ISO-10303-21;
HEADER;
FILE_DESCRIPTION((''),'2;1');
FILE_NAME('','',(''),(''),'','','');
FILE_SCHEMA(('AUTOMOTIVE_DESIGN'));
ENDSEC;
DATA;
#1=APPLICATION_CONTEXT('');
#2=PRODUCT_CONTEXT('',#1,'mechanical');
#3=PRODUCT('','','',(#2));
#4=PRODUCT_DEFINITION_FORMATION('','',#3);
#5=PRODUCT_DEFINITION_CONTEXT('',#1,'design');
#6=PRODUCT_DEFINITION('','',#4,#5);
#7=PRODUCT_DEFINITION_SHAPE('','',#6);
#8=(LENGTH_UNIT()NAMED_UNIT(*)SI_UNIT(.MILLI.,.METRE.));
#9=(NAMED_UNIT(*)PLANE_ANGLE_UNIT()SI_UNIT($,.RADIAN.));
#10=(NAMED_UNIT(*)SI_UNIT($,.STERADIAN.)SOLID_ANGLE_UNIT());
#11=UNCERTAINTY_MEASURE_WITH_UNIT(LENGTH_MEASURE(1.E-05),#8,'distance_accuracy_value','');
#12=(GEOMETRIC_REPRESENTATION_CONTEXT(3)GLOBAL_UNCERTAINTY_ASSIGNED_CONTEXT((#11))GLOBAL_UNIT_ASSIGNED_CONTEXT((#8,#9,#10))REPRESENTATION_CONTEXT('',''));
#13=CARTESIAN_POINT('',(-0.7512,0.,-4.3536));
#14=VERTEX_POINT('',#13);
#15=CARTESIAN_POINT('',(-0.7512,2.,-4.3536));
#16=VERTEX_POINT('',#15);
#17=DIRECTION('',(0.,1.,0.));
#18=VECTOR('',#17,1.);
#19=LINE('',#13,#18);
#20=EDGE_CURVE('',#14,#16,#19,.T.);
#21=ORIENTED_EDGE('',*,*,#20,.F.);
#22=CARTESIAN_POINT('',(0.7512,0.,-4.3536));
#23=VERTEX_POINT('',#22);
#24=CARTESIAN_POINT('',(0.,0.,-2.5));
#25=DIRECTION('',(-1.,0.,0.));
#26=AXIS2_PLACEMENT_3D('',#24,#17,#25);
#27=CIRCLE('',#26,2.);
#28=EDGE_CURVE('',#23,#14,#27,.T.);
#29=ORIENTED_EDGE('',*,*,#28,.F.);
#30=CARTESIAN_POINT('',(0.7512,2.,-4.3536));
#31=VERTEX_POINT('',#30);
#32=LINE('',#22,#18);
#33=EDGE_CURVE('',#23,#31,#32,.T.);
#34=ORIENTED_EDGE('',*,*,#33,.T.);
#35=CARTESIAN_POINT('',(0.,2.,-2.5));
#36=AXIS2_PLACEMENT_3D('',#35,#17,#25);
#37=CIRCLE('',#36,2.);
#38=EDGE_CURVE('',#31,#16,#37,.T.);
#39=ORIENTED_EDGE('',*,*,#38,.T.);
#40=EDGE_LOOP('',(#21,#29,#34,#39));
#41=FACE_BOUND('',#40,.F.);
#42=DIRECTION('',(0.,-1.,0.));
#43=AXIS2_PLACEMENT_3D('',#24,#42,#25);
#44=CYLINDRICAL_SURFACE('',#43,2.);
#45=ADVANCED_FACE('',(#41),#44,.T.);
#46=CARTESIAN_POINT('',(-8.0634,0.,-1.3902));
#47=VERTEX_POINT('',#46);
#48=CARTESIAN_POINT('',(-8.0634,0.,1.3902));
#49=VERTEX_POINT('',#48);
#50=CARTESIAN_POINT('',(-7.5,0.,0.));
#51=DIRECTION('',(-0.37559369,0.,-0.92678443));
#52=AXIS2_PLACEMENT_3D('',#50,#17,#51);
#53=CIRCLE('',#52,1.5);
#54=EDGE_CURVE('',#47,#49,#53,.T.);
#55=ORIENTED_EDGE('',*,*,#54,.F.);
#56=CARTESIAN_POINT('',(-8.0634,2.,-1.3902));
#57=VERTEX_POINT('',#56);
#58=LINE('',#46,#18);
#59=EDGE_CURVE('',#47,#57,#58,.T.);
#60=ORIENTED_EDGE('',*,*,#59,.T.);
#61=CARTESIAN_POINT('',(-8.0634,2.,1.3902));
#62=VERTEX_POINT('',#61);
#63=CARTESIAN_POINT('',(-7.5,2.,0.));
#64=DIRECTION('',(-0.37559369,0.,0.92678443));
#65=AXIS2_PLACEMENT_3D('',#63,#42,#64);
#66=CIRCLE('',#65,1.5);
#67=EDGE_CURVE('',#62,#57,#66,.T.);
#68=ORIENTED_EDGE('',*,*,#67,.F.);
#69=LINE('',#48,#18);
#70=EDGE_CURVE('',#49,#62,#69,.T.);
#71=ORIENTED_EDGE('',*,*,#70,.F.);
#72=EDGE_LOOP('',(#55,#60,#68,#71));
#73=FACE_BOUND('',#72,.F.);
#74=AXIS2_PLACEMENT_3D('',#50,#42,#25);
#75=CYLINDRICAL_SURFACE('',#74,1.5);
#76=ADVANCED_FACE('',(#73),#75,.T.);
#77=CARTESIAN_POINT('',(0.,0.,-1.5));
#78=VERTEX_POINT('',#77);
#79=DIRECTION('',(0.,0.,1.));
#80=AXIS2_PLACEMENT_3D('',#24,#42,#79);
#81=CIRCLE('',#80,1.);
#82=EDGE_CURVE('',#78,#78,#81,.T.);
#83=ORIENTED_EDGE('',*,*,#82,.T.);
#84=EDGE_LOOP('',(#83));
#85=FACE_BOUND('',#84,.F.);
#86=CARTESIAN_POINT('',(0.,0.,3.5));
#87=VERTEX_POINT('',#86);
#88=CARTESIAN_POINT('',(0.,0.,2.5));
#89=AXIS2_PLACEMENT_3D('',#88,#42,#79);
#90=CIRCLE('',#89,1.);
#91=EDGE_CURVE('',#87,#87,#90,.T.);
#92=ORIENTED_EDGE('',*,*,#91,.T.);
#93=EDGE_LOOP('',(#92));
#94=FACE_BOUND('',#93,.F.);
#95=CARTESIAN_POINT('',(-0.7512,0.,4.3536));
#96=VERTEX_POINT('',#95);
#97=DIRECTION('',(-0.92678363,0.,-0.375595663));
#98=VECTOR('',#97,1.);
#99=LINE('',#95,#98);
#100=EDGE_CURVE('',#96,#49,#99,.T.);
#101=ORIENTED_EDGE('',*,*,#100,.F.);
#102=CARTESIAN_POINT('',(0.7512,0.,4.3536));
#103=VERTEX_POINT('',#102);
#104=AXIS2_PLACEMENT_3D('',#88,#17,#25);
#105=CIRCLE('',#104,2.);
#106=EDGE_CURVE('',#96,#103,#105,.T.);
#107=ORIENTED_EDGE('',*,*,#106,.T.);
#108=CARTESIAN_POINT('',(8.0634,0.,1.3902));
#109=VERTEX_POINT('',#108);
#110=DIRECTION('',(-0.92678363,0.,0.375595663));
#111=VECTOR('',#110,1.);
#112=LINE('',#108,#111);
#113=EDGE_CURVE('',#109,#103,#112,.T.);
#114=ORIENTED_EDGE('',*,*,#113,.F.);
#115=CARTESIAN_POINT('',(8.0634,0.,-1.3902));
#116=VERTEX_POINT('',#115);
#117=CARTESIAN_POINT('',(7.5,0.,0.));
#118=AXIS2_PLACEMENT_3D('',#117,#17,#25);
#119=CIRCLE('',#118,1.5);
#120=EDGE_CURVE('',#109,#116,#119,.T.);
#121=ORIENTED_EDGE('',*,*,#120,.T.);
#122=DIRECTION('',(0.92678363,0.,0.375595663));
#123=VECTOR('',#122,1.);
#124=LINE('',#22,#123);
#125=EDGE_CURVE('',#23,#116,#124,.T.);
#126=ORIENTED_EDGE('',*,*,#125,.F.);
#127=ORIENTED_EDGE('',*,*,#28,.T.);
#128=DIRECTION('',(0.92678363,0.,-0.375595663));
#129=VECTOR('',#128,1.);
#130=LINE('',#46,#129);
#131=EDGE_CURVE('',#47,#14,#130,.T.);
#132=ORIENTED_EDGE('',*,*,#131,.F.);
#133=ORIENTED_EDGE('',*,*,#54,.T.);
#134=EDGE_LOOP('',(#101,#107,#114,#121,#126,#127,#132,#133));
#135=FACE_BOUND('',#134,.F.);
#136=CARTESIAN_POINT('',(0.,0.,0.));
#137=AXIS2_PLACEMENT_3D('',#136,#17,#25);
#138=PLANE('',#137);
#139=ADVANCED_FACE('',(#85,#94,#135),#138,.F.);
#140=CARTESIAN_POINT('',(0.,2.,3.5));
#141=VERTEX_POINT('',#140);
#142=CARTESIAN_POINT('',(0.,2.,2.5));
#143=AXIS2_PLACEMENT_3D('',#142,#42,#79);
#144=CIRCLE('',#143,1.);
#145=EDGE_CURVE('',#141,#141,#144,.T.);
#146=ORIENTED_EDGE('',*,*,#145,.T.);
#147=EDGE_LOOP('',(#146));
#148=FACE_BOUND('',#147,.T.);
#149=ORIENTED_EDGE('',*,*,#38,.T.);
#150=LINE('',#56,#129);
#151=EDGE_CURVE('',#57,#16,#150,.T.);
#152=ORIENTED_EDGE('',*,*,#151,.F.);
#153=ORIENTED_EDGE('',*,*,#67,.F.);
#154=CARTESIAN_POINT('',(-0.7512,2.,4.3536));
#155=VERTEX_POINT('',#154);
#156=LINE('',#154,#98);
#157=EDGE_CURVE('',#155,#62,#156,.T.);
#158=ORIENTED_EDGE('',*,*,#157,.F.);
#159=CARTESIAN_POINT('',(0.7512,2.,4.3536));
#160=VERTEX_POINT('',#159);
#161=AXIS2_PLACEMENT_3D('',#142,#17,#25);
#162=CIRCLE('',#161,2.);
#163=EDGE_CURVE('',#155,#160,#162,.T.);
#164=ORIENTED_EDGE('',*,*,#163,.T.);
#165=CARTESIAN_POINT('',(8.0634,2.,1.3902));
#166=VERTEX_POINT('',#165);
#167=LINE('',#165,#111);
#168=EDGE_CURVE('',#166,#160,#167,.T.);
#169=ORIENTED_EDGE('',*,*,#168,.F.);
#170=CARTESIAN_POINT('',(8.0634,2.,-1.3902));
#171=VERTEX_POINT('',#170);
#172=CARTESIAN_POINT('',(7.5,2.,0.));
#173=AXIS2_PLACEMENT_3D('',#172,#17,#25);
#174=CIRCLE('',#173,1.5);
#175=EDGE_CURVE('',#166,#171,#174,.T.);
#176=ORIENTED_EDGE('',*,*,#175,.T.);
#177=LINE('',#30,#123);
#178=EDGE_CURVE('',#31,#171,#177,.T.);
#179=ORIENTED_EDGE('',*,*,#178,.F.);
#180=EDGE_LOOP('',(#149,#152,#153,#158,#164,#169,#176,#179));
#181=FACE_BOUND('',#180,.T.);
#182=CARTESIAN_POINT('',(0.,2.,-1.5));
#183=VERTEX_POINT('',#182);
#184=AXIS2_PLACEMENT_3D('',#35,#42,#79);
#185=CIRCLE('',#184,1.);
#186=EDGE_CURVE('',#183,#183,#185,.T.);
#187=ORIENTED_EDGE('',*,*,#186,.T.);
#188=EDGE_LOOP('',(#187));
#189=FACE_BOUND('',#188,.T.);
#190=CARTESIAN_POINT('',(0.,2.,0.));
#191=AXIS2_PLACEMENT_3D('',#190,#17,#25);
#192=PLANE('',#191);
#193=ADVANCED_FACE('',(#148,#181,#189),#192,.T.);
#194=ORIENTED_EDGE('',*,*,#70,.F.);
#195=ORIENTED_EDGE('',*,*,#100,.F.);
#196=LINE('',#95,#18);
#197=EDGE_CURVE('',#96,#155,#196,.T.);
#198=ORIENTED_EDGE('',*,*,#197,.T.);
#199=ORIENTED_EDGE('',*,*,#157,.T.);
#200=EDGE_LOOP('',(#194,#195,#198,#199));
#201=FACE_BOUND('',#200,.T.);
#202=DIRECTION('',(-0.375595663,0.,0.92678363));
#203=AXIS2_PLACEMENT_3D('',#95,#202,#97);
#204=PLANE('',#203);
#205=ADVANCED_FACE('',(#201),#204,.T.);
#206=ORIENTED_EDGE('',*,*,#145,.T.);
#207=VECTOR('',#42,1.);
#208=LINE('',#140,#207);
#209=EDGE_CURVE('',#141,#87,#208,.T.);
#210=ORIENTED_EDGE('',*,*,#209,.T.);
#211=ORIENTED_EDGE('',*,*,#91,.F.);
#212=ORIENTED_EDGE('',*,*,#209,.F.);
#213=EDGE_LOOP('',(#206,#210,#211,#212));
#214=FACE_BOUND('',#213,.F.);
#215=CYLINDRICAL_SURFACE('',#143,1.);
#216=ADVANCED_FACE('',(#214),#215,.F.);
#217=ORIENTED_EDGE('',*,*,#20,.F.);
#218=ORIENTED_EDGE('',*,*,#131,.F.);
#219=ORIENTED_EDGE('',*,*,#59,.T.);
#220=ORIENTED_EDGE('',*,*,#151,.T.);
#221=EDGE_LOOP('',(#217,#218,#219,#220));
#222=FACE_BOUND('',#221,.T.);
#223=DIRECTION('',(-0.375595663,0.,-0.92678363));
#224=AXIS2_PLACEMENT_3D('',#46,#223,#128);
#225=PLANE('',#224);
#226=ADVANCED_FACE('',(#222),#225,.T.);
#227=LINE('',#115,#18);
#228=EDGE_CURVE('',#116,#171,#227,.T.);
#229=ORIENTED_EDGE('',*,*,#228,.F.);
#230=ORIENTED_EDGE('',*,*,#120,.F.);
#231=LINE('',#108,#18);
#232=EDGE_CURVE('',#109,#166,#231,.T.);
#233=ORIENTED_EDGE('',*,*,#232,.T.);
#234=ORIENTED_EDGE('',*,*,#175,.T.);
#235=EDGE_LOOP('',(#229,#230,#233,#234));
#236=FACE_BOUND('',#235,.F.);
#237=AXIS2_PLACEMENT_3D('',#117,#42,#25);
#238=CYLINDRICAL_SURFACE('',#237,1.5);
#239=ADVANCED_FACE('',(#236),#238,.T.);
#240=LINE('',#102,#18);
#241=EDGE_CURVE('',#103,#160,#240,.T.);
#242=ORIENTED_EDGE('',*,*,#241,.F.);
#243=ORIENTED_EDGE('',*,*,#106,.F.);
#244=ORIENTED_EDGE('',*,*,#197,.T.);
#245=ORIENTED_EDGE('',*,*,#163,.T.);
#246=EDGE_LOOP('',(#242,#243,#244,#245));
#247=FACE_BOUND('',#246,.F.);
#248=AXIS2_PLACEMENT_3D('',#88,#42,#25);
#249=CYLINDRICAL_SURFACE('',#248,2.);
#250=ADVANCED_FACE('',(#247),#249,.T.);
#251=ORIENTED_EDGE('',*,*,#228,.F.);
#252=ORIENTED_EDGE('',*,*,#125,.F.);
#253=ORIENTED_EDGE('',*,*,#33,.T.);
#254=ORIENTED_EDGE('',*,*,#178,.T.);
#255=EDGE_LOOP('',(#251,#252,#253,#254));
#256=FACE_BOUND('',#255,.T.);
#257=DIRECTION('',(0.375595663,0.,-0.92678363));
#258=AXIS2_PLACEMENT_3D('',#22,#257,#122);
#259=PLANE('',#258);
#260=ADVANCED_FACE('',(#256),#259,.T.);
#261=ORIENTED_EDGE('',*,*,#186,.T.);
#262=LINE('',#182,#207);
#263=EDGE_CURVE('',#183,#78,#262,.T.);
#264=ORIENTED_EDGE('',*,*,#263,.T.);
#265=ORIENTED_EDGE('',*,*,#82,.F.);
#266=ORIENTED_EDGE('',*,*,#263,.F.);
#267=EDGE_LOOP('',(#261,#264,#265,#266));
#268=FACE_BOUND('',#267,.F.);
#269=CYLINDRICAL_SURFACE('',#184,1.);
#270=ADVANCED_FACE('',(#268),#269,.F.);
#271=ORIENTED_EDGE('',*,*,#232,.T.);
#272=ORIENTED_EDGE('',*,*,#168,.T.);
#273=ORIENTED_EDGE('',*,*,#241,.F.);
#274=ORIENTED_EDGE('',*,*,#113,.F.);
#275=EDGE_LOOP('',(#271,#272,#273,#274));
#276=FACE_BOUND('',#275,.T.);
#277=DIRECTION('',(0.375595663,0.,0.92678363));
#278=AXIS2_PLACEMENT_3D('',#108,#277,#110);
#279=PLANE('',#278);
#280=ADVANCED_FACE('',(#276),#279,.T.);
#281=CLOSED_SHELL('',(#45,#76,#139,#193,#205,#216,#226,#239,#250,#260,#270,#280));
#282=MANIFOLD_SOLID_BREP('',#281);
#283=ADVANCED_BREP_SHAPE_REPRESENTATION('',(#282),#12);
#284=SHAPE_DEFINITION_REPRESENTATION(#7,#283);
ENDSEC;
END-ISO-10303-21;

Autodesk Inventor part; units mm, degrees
ref_plane "YZ Plane" through (0, 0, 0) normal (1, 0, 0) x (0, 1, 0)
ref_plane "XZ Plane" through (0, 0, 0) normal (0, 1, 0) x (-1, 0, 0)
ref_plane "XY Plane" through (0, 0, 0) normal (0, 0, 1) x (1, 0, 0)
sketch "スケッチ1" plane through (0, 0, 0) normal (0, 1, 0) x (-1, 0, 0)
  circle A0 centre (7.5, 0) radius 1.5
  circle A1 centre (0, 2.5) radius 2
  circle A2 centre (0, -2.5) radius 2
  circle A3 centre (-7.5, 0) radius 1.5
  line L0 (7.5, 0) -> (-7.5, 0) construction
  line L1 (0, -2.5) -> (0, 2.5) construction
  line L2 (0.7512, 4.3536) -> (8.0634, 1.3902)
  line L3 (8.0634, -1.3902) -> (0.7512, -4.3536)
  line L4 (-0.7512, -4.3536) -> (-8.0634, -1.3902)
  line L5 (-8.0634, 1.3902) -> (-0.7512, 4.3536)
  point P0 (0, 0)
  point P1 (0, 0)
  dimension "d0" = 5
  dimension "d1" = 15
  dimension "d2" = 4
  dimension "d3" = 3
extrude "押し出し1" add sketch "スケッチ1" along normal blind 2
sketch "スケッチ2" plane through (0, 2, 0) normal (0, 1, 0) x (1, 0, 0)
  arc A0 (-0.7512, -4.3536) -> (0.7512, -4.3536) centre (0, -2.5) ccw projected
  arc A1 (0.7512, 4.3536) -> (-0.7512, 4.3536) centre (0, 2.5) ccw projected
  point P0 (0, 0)
hole "穴1" at (0, 2, 2.5) at (0, 2, -2.5) direction (0, -1, 0) diameter 2 end through all clearance for "Flat Head Machine Screw (82)" size "#0" standard "Ansi Unified Screw Threads"
properties part number "Band_Cap"
